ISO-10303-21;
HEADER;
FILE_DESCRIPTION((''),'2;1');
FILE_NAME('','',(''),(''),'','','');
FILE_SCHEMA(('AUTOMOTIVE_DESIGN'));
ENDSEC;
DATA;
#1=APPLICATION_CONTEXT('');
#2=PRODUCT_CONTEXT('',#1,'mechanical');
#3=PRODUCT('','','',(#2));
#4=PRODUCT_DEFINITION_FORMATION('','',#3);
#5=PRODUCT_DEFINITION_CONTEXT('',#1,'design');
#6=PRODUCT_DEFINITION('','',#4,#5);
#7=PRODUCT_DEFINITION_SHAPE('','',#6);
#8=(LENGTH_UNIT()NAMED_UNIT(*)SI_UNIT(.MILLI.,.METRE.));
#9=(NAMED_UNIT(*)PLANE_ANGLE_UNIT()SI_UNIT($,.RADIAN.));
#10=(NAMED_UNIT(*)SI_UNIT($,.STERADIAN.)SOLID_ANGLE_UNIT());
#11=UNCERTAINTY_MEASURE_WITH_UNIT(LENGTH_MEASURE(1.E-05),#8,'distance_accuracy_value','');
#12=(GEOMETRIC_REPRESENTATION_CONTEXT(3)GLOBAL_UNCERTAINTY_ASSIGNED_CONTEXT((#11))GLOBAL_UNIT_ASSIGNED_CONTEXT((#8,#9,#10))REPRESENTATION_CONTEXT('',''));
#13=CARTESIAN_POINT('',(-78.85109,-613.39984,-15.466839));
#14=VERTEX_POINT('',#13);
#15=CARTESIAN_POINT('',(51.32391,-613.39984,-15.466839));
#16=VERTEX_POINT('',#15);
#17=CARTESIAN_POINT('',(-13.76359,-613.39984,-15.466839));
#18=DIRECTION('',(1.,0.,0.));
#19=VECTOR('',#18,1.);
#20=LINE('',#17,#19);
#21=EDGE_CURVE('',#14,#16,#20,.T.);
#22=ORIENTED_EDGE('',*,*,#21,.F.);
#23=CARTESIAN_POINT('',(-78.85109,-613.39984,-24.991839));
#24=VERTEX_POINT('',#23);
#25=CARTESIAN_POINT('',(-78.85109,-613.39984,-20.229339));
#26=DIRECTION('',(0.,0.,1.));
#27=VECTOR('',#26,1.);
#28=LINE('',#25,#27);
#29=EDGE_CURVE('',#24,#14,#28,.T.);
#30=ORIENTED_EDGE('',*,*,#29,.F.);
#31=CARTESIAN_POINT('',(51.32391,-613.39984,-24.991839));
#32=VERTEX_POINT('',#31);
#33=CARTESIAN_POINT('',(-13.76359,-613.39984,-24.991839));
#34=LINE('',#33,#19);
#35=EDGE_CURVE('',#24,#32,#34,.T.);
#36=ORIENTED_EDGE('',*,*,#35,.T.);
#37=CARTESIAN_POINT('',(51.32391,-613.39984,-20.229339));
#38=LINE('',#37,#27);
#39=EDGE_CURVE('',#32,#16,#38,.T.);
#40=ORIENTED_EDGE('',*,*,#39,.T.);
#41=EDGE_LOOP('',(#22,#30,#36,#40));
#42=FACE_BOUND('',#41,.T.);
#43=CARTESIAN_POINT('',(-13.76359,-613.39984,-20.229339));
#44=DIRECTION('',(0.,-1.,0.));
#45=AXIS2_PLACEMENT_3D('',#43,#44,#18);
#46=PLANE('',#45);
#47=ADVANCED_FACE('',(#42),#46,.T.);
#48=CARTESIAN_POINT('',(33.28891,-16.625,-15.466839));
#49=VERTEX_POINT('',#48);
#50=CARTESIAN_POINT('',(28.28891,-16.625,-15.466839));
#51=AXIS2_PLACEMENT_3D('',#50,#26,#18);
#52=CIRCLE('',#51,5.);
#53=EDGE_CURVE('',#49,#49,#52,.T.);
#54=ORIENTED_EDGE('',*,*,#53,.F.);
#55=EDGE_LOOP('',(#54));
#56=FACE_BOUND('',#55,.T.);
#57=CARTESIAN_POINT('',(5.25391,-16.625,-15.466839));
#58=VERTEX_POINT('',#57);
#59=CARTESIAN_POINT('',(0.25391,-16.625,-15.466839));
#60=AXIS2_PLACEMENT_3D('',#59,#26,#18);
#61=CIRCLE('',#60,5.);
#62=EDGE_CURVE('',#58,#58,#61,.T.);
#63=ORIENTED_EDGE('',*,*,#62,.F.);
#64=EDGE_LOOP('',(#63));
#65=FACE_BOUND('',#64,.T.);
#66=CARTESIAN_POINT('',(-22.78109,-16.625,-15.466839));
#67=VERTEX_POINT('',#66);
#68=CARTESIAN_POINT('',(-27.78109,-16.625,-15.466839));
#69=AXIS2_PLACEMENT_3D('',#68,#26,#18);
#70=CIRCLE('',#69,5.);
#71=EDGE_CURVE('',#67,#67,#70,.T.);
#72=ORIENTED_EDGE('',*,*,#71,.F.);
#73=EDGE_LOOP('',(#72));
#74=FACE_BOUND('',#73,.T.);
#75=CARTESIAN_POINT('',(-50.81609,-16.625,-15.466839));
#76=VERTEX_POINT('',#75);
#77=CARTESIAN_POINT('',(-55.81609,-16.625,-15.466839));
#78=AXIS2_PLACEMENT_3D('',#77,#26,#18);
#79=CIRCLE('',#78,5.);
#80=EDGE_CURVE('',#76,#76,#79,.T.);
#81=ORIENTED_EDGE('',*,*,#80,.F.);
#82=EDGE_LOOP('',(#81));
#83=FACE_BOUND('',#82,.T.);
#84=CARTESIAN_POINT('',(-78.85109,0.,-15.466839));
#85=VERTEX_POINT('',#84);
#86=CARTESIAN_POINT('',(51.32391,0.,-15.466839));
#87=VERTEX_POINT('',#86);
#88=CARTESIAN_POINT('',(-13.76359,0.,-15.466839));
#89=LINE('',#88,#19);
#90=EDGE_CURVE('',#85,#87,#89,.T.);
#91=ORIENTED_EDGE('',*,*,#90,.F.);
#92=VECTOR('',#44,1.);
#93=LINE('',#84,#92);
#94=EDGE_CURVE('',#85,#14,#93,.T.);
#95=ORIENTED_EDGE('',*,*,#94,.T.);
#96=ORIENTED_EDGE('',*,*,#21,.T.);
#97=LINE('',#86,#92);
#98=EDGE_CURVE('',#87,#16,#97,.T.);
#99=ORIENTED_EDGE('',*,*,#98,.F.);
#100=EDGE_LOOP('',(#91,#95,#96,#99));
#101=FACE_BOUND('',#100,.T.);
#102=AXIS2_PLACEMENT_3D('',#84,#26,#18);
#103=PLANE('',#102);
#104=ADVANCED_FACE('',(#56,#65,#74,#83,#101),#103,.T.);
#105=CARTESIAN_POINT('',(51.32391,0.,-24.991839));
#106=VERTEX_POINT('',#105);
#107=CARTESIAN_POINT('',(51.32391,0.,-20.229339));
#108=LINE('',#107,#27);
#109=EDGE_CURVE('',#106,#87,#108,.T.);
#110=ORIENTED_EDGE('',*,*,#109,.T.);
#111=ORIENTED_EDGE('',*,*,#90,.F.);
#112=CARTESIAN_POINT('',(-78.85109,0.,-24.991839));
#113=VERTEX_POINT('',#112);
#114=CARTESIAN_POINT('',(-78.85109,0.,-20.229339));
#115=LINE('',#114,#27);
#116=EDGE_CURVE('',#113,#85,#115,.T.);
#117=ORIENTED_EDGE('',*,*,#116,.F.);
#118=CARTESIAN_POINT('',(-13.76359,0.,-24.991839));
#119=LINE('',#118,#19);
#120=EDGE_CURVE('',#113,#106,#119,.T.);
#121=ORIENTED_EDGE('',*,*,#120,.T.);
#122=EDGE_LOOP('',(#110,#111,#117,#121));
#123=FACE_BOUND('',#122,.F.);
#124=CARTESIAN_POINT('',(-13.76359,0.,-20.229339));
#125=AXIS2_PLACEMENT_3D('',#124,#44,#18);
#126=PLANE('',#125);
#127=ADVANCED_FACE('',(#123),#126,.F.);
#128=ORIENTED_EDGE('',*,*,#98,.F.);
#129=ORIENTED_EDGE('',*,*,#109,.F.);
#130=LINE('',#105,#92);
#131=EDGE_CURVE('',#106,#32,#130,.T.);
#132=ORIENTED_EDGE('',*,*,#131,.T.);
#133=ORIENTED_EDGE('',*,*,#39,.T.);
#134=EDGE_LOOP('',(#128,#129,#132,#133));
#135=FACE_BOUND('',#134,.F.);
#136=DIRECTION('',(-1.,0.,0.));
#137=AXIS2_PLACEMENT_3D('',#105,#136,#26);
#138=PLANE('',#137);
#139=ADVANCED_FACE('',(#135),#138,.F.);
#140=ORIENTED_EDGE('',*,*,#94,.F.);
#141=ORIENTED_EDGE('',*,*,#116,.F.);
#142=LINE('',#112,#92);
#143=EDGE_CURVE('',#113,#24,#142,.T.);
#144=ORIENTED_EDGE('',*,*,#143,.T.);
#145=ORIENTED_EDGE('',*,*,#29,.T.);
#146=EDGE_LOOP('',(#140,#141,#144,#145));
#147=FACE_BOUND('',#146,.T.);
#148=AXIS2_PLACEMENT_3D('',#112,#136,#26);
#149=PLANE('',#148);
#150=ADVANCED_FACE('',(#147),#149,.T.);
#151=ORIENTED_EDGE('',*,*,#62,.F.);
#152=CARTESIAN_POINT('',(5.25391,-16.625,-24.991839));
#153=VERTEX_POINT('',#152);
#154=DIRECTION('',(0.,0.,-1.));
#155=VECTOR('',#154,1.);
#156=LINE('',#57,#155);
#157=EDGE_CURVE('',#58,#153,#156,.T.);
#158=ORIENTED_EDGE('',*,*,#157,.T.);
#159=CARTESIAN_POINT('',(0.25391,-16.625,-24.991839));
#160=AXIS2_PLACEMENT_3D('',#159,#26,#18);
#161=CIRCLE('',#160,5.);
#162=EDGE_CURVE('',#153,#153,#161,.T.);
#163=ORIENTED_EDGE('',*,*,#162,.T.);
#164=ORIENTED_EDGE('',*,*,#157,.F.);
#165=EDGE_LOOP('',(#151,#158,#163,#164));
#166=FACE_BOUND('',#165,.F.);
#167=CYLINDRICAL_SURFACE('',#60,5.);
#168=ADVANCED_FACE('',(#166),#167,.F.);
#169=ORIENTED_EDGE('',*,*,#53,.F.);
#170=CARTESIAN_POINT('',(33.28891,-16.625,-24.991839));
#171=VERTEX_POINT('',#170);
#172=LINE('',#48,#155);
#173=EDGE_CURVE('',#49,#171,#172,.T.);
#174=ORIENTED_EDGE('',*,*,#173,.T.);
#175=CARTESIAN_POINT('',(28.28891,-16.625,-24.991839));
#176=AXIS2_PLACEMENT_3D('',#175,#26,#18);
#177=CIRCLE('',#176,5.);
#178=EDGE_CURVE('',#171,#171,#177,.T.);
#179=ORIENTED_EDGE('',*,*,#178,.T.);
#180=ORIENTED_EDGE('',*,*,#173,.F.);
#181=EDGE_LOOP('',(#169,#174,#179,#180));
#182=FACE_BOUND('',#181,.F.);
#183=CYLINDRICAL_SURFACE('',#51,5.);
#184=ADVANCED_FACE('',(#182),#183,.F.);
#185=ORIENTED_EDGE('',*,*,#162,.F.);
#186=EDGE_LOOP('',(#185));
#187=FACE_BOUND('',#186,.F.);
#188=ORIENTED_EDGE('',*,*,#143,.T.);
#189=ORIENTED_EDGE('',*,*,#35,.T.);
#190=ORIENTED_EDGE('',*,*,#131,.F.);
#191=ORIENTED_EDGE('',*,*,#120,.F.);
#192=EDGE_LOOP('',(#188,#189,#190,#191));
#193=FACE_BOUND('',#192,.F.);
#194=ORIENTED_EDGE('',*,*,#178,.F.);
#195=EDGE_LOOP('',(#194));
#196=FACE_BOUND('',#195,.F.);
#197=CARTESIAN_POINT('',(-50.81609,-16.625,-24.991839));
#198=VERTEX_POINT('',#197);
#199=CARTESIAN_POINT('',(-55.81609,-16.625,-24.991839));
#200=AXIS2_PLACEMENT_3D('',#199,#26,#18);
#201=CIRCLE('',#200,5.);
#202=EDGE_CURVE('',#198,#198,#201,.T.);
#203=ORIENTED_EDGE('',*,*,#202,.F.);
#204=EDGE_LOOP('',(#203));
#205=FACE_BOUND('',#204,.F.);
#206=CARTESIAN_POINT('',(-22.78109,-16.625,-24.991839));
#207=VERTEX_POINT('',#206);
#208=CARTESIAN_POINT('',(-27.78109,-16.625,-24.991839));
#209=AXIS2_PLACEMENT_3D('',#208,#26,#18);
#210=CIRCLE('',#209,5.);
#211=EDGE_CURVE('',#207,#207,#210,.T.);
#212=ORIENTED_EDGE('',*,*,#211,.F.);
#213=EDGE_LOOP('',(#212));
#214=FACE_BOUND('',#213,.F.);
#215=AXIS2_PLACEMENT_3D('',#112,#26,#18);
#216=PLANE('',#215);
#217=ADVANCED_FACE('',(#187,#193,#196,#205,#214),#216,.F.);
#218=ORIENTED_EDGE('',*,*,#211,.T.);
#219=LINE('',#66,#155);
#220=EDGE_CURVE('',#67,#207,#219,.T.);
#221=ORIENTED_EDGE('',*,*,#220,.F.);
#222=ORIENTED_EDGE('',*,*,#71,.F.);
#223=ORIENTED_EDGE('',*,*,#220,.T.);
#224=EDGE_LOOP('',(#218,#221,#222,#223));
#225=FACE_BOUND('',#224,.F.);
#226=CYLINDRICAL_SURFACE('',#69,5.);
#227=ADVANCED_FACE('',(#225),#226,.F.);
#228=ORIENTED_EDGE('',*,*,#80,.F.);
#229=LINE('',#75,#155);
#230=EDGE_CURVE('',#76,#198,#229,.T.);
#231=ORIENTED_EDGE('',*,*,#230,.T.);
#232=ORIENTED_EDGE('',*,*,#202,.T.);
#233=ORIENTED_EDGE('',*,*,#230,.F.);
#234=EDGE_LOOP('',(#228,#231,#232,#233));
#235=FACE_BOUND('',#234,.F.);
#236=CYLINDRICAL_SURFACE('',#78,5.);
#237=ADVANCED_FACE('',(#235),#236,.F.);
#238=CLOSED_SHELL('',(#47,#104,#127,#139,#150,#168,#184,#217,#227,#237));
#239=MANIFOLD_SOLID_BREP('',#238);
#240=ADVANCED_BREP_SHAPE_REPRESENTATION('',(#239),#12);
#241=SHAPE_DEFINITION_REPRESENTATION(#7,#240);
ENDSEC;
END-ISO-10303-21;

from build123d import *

# Parameters (mm, degrees)
F0_W     = 130.175
F0_H     = 9.525
F1_DEPTH = 613.39984
F2_R     = 5
F3_DEPTH = 25


with BuildPart() as f1:
    # F0 (on Front) → F1 (new body)
    with BuildSketch(Plane.XZ):
        with Locations((-13.76359, -20.229339)):
            Rectangle(F0_W, F0_H)
    extrude(amount=F1_DEPTH)

    # F2 (on face) → F3 (cut)
    with BuildSketch(Plane.XY.offset(-15.466839)):
        with Locations((-55.81609, -16.625)):
            Circle(F2_R)
        with Locations((-27.78109, -16.625)):
            Circle(F2_R)
        with Locations((0.25391, -16.625)):
            Circle(F2_R)
        with Locations((28.28891, -16.625)):
            Circle(F2_R)
    extrude(amount=-F3_DEPTH, mode=Mode.SUBTRACT)


solid = f1.part
